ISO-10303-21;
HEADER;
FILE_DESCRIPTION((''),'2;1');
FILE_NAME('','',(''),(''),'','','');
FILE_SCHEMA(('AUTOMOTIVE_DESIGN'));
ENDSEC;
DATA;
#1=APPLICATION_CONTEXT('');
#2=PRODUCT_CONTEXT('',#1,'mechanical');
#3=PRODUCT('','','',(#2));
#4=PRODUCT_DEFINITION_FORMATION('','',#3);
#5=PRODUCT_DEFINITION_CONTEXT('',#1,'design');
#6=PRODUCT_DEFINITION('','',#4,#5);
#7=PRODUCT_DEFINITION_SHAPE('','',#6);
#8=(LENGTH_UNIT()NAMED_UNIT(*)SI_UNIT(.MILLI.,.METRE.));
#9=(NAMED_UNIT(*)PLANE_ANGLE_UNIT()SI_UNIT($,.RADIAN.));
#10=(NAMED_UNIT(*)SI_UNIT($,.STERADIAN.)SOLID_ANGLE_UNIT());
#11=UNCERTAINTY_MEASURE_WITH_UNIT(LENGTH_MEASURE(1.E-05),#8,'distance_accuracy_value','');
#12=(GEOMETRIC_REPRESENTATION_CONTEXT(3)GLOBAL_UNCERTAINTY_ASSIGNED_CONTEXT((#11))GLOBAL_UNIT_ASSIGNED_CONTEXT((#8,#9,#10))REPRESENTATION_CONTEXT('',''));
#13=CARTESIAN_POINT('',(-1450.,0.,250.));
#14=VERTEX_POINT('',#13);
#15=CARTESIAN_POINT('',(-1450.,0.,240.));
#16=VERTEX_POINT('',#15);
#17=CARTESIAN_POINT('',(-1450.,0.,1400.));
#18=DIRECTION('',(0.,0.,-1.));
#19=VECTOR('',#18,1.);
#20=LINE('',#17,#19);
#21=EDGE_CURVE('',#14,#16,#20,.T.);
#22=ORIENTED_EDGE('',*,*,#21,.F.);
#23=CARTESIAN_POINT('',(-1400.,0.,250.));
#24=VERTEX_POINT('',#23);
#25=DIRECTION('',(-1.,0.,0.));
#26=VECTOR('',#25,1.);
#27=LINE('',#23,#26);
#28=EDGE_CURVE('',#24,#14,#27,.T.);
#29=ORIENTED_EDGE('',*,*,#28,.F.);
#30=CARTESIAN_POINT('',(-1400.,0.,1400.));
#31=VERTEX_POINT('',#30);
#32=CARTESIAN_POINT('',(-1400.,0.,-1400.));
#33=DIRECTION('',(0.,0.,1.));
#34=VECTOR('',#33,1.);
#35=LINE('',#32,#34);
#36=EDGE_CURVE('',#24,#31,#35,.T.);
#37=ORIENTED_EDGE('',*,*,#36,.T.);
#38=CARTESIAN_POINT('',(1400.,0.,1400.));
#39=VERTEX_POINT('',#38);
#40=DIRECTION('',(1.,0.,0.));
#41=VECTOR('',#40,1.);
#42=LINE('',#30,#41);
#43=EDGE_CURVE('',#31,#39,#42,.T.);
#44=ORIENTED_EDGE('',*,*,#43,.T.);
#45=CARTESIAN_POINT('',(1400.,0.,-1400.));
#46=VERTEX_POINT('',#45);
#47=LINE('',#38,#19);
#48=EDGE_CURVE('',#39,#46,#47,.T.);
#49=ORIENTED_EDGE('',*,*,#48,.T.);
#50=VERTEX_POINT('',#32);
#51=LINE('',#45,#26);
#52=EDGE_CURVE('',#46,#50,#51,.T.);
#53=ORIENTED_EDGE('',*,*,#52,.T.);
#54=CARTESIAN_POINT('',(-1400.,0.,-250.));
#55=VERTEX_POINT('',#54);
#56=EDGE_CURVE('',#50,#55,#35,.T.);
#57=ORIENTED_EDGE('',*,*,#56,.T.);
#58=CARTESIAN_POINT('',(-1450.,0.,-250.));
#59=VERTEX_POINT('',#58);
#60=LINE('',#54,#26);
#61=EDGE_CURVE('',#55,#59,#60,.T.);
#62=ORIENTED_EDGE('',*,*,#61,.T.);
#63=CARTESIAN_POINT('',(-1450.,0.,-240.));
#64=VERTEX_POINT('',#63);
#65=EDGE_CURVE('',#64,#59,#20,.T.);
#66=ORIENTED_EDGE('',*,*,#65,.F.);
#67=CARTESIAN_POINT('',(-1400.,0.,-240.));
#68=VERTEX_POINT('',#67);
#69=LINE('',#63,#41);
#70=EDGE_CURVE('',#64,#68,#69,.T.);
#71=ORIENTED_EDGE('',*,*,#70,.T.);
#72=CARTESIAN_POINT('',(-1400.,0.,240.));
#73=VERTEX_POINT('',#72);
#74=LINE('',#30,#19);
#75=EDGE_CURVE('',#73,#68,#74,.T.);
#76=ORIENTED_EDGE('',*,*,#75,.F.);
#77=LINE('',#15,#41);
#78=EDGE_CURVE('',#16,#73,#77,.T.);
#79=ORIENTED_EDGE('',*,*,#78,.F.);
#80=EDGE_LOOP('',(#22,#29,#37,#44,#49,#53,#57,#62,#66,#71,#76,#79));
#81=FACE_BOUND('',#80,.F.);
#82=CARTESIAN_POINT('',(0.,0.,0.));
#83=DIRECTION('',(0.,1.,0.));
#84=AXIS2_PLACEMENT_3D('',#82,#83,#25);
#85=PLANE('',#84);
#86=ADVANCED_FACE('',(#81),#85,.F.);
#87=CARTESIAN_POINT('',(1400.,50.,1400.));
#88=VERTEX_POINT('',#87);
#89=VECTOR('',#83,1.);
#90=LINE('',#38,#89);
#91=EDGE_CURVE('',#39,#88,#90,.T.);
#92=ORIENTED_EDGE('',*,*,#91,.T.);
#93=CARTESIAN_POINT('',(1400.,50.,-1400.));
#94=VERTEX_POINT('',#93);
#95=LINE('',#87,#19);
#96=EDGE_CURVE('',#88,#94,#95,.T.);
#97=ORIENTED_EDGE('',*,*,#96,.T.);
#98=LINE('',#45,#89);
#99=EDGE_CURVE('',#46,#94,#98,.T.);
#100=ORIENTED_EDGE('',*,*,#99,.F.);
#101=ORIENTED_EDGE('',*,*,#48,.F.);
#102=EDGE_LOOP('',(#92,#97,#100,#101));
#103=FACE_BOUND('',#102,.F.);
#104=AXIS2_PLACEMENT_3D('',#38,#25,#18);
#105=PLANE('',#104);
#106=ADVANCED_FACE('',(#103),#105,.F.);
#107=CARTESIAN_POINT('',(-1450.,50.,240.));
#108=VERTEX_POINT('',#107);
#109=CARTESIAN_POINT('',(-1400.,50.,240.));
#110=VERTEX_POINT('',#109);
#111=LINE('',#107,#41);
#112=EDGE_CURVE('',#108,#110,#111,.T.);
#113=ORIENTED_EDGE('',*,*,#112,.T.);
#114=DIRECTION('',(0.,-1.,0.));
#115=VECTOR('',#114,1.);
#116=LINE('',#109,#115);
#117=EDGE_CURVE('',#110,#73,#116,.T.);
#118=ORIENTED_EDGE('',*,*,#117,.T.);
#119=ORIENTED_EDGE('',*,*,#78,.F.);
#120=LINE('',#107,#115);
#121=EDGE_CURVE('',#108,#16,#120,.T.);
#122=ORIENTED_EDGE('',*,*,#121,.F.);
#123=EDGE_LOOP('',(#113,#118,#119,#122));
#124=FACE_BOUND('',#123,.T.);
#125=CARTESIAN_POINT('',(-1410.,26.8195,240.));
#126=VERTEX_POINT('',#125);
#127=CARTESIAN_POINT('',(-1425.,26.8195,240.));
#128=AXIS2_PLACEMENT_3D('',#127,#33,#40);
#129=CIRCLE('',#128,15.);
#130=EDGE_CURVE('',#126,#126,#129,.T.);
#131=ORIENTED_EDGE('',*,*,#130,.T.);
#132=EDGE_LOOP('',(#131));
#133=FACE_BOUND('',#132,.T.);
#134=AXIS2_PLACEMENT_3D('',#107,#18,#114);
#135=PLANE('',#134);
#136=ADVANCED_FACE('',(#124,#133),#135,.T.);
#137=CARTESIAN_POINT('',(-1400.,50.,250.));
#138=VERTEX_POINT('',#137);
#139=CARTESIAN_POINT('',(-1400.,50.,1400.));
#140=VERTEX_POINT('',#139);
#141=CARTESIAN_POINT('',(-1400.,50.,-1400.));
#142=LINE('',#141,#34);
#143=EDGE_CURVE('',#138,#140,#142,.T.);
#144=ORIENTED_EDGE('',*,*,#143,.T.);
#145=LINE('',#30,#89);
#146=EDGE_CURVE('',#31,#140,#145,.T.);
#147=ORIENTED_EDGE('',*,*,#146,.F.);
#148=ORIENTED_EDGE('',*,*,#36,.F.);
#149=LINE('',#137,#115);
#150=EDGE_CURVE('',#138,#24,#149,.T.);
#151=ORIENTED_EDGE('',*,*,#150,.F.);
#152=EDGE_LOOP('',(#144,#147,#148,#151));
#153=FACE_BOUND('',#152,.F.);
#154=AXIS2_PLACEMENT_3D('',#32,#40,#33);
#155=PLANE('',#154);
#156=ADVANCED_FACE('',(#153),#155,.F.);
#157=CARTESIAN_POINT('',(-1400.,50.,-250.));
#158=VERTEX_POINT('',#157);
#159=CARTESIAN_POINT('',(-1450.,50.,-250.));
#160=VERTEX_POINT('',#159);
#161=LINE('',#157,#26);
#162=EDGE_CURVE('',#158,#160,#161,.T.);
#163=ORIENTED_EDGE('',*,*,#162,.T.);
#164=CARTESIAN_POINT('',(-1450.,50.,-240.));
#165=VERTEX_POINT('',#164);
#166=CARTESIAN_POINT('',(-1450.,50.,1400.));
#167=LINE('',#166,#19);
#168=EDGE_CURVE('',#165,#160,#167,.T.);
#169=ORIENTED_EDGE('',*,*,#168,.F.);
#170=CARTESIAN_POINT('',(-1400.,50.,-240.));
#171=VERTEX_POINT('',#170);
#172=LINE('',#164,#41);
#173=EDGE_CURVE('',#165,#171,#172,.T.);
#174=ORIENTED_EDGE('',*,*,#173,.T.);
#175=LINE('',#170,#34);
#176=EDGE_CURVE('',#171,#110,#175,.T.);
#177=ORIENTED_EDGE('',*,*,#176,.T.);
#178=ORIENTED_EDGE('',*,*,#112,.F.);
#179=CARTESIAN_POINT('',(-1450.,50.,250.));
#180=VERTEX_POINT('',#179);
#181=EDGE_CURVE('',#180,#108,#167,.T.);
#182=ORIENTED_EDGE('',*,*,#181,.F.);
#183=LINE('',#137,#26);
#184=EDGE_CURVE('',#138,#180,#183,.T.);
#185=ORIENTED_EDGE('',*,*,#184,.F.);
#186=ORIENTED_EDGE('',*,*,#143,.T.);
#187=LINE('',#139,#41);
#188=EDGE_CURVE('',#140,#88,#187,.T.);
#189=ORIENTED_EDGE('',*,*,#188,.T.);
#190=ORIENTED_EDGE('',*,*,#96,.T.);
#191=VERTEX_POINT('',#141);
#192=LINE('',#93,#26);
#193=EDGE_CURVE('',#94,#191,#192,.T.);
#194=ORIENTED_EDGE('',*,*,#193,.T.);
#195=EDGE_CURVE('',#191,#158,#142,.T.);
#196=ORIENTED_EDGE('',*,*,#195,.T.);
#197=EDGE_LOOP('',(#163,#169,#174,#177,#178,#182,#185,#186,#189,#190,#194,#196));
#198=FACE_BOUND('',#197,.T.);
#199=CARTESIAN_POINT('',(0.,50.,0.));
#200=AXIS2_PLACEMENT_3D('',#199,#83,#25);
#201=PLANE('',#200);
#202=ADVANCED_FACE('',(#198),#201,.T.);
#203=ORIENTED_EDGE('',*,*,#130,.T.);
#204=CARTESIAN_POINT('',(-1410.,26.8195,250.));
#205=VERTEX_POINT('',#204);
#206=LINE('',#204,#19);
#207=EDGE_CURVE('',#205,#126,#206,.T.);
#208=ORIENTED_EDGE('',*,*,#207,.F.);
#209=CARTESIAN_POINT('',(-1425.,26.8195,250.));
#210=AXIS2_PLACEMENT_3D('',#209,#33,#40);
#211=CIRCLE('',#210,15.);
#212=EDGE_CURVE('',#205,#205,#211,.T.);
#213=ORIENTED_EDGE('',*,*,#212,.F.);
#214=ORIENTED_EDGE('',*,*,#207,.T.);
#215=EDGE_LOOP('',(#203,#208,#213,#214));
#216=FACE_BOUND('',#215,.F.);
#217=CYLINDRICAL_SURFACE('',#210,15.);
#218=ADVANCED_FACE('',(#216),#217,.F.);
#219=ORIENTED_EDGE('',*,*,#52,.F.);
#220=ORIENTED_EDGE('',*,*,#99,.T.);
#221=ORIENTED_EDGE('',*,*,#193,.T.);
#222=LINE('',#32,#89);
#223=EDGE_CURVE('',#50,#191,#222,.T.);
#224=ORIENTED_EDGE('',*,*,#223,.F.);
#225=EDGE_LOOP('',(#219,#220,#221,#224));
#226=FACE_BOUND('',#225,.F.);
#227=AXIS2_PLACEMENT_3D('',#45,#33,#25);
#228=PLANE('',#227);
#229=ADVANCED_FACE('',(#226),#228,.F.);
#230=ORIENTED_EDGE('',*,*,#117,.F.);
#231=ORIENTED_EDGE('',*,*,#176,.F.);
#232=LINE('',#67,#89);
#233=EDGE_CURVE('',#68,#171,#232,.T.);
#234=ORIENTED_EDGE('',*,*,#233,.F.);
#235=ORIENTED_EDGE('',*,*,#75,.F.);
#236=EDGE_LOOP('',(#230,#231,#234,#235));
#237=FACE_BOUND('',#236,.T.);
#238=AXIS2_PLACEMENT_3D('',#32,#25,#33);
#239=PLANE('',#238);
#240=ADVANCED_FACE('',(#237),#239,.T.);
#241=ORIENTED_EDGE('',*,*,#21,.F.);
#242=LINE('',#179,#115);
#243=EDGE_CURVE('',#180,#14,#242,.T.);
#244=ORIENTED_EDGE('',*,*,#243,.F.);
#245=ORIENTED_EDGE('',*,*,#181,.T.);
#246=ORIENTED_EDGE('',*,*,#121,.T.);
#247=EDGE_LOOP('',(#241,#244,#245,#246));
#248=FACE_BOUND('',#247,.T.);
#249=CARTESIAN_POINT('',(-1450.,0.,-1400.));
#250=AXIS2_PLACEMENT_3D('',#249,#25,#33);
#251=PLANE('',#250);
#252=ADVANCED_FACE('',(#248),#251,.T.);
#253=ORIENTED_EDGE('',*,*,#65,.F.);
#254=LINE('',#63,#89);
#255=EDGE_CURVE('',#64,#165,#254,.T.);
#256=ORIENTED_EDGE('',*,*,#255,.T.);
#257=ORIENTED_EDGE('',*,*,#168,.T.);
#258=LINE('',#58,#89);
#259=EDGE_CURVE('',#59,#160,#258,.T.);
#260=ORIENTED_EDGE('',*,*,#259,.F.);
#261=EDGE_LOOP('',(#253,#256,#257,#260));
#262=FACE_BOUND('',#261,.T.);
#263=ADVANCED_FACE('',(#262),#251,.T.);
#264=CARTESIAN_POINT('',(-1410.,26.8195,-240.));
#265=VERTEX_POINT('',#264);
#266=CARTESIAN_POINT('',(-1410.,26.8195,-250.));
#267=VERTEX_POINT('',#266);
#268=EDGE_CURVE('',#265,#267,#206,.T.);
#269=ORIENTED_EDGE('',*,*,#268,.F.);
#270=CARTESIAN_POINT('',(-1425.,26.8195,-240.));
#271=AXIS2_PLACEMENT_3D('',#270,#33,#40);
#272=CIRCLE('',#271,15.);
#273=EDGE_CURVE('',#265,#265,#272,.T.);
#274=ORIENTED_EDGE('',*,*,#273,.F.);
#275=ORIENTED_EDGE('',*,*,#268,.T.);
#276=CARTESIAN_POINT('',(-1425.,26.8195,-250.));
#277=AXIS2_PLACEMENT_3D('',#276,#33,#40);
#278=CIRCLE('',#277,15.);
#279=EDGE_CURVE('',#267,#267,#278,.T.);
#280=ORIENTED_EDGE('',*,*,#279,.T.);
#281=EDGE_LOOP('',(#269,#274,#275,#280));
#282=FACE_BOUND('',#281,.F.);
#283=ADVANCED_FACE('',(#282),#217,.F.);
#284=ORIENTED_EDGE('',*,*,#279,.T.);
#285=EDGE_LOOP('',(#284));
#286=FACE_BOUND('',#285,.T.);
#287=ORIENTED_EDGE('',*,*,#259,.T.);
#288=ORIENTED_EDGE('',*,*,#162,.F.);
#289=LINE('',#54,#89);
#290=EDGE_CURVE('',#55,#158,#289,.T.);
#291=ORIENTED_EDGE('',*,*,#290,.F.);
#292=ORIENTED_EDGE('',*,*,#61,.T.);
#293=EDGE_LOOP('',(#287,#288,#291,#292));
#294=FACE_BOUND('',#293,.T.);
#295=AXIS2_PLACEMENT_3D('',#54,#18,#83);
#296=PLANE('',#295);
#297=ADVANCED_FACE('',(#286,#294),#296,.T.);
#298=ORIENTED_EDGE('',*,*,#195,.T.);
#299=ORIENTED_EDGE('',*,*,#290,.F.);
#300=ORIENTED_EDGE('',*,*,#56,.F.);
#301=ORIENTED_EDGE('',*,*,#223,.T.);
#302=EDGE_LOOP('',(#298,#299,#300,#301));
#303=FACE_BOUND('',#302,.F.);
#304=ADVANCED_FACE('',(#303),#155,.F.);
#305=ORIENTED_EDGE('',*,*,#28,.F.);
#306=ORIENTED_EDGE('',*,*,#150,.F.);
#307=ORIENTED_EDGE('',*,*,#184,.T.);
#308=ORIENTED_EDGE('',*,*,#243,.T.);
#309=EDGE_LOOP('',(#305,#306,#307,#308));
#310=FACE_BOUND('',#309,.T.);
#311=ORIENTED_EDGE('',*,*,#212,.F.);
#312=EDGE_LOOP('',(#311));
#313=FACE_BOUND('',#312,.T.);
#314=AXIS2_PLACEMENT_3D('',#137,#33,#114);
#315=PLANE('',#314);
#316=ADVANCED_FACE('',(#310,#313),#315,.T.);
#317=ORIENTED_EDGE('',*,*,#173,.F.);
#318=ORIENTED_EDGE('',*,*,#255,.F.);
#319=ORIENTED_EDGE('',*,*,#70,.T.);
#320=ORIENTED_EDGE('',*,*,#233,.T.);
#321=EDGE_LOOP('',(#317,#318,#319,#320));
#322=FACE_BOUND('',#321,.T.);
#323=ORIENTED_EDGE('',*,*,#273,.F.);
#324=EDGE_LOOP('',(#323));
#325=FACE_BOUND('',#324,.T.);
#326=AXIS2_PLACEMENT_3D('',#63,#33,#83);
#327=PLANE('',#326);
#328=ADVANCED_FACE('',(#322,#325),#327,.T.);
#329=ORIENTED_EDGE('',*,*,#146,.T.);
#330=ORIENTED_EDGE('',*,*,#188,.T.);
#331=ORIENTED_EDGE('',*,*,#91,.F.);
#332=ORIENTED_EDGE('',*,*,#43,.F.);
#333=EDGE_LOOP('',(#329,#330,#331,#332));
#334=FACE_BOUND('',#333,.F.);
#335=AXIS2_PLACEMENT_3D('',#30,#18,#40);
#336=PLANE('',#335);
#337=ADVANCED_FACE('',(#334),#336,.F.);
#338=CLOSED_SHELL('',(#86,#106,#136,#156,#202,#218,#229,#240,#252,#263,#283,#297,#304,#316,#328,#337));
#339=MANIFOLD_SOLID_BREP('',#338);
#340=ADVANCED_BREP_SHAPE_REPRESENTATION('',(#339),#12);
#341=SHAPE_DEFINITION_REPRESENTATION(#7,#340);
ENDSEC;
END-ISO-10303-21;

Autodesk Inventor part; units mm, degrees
ref_plane "YZ Plane" through (0, 0, 0) normal (1, 0, 0) x (0, 1, 0)
ref_plane "XZ Plane" through (0, 0, 0) normal (0, 1, 0) x (-1, 0, 0)
ref_plane "XY Plane" through (0, 0, 0) normal (0, 0, 1) x (1, 0, 0)
sketch "Sketch1" plane through (0, 0, 0) normal (0, 1, 0) x (-1, 0, 0)
  line L0 (1400, 1400) -> (-1400, 1400)
  line L1 (-1400, 1400) -> (-1400, -1400)
  line L2 (-1400, -1400) -> (1400, -1400)
  line L3 (1400, -1400) -> (1400, 1400)
  point P0 (0, 0)
  dimension "d0" = 2800
  dimension "d1" = 2800
  dimension "d2" = 1400
  dimension "d3" = 1400
extrude "Extrusion1" add sketch "Sketch1" along normal blind 50
sketch "Sketch2" plane through (-1400, 0, -1400) normal (-1, 0, 0) x (0, 0, 1)
  line L0 (2800, 50) -> (0, 50) projected
  line L1 (2800, 0) -> (0, 0) projected
  line L2 (1150, 50) -> (1650, 50)
  line L3 (1650, 50) -> (1650, 0)
  line L4 (1650, 0) -> (1150, 0)
  line L5 (1150, 0) -> (1150, 50)
  line L6 (0, 0) -> (0, 50) projected
  point P0 (1400, 0)
  dimension "d6" = 500
  dimension "d7" = 1150
extrude "Extrusion2" add sketch "Sketch2" along normal blind 50 contours L3 L1 L5 L0
sketch "Sketch4" plane through (-1450, 0, -1400) normal (-1, 0, 0) x (0, 0, 1)
  line L0 (2800, 0) -> (0, 0) projected
  line L1 (1160, 50) -> (1640, 50)
  line L2 (1640, 50) -> (1640, 0)
  line L3 (1640, 0) -> (1160, 0)
  line L4 (1160, 0) -> (1160, 50)
  line L5 (1650, 50) -> (1150, 50) projected
  line L6 (1150, 50) -> (1150, 0) projected
  line L7 (1650, 0) -> (1650, 50) projected
  point P0 (1400, 0)
  point P1 (1160, 0)
  dimension "d10" = 0
  dimension "d11" = 10
  dimension "d12" = 10
extrude "Extrusion3" cut sketch "Sketch4" against normal blind 50 contours L0 L4 L1 L2
sketch "Sketch5" plane through (-1400, 0, 250) normal (0, 0, 1) x (1, 0, 0)
  circle A0 centre (-25, 26.8195) radius 15
  line L0 (-50, 0) -> (-50, 50) projected
  point P0 (1400, 0)
  dimension "d15" = 30
  dimension "d16" = 25
extrude "Extrusion4" cut sketch "Sketch5" against normal blind 700
sketch "Sketch6" plane through (-1400, 0, -1400) normal (-1, 0, 0) x (0, 0, 1)
  point P0 (1400, 0)
properties part number "cube lid"
